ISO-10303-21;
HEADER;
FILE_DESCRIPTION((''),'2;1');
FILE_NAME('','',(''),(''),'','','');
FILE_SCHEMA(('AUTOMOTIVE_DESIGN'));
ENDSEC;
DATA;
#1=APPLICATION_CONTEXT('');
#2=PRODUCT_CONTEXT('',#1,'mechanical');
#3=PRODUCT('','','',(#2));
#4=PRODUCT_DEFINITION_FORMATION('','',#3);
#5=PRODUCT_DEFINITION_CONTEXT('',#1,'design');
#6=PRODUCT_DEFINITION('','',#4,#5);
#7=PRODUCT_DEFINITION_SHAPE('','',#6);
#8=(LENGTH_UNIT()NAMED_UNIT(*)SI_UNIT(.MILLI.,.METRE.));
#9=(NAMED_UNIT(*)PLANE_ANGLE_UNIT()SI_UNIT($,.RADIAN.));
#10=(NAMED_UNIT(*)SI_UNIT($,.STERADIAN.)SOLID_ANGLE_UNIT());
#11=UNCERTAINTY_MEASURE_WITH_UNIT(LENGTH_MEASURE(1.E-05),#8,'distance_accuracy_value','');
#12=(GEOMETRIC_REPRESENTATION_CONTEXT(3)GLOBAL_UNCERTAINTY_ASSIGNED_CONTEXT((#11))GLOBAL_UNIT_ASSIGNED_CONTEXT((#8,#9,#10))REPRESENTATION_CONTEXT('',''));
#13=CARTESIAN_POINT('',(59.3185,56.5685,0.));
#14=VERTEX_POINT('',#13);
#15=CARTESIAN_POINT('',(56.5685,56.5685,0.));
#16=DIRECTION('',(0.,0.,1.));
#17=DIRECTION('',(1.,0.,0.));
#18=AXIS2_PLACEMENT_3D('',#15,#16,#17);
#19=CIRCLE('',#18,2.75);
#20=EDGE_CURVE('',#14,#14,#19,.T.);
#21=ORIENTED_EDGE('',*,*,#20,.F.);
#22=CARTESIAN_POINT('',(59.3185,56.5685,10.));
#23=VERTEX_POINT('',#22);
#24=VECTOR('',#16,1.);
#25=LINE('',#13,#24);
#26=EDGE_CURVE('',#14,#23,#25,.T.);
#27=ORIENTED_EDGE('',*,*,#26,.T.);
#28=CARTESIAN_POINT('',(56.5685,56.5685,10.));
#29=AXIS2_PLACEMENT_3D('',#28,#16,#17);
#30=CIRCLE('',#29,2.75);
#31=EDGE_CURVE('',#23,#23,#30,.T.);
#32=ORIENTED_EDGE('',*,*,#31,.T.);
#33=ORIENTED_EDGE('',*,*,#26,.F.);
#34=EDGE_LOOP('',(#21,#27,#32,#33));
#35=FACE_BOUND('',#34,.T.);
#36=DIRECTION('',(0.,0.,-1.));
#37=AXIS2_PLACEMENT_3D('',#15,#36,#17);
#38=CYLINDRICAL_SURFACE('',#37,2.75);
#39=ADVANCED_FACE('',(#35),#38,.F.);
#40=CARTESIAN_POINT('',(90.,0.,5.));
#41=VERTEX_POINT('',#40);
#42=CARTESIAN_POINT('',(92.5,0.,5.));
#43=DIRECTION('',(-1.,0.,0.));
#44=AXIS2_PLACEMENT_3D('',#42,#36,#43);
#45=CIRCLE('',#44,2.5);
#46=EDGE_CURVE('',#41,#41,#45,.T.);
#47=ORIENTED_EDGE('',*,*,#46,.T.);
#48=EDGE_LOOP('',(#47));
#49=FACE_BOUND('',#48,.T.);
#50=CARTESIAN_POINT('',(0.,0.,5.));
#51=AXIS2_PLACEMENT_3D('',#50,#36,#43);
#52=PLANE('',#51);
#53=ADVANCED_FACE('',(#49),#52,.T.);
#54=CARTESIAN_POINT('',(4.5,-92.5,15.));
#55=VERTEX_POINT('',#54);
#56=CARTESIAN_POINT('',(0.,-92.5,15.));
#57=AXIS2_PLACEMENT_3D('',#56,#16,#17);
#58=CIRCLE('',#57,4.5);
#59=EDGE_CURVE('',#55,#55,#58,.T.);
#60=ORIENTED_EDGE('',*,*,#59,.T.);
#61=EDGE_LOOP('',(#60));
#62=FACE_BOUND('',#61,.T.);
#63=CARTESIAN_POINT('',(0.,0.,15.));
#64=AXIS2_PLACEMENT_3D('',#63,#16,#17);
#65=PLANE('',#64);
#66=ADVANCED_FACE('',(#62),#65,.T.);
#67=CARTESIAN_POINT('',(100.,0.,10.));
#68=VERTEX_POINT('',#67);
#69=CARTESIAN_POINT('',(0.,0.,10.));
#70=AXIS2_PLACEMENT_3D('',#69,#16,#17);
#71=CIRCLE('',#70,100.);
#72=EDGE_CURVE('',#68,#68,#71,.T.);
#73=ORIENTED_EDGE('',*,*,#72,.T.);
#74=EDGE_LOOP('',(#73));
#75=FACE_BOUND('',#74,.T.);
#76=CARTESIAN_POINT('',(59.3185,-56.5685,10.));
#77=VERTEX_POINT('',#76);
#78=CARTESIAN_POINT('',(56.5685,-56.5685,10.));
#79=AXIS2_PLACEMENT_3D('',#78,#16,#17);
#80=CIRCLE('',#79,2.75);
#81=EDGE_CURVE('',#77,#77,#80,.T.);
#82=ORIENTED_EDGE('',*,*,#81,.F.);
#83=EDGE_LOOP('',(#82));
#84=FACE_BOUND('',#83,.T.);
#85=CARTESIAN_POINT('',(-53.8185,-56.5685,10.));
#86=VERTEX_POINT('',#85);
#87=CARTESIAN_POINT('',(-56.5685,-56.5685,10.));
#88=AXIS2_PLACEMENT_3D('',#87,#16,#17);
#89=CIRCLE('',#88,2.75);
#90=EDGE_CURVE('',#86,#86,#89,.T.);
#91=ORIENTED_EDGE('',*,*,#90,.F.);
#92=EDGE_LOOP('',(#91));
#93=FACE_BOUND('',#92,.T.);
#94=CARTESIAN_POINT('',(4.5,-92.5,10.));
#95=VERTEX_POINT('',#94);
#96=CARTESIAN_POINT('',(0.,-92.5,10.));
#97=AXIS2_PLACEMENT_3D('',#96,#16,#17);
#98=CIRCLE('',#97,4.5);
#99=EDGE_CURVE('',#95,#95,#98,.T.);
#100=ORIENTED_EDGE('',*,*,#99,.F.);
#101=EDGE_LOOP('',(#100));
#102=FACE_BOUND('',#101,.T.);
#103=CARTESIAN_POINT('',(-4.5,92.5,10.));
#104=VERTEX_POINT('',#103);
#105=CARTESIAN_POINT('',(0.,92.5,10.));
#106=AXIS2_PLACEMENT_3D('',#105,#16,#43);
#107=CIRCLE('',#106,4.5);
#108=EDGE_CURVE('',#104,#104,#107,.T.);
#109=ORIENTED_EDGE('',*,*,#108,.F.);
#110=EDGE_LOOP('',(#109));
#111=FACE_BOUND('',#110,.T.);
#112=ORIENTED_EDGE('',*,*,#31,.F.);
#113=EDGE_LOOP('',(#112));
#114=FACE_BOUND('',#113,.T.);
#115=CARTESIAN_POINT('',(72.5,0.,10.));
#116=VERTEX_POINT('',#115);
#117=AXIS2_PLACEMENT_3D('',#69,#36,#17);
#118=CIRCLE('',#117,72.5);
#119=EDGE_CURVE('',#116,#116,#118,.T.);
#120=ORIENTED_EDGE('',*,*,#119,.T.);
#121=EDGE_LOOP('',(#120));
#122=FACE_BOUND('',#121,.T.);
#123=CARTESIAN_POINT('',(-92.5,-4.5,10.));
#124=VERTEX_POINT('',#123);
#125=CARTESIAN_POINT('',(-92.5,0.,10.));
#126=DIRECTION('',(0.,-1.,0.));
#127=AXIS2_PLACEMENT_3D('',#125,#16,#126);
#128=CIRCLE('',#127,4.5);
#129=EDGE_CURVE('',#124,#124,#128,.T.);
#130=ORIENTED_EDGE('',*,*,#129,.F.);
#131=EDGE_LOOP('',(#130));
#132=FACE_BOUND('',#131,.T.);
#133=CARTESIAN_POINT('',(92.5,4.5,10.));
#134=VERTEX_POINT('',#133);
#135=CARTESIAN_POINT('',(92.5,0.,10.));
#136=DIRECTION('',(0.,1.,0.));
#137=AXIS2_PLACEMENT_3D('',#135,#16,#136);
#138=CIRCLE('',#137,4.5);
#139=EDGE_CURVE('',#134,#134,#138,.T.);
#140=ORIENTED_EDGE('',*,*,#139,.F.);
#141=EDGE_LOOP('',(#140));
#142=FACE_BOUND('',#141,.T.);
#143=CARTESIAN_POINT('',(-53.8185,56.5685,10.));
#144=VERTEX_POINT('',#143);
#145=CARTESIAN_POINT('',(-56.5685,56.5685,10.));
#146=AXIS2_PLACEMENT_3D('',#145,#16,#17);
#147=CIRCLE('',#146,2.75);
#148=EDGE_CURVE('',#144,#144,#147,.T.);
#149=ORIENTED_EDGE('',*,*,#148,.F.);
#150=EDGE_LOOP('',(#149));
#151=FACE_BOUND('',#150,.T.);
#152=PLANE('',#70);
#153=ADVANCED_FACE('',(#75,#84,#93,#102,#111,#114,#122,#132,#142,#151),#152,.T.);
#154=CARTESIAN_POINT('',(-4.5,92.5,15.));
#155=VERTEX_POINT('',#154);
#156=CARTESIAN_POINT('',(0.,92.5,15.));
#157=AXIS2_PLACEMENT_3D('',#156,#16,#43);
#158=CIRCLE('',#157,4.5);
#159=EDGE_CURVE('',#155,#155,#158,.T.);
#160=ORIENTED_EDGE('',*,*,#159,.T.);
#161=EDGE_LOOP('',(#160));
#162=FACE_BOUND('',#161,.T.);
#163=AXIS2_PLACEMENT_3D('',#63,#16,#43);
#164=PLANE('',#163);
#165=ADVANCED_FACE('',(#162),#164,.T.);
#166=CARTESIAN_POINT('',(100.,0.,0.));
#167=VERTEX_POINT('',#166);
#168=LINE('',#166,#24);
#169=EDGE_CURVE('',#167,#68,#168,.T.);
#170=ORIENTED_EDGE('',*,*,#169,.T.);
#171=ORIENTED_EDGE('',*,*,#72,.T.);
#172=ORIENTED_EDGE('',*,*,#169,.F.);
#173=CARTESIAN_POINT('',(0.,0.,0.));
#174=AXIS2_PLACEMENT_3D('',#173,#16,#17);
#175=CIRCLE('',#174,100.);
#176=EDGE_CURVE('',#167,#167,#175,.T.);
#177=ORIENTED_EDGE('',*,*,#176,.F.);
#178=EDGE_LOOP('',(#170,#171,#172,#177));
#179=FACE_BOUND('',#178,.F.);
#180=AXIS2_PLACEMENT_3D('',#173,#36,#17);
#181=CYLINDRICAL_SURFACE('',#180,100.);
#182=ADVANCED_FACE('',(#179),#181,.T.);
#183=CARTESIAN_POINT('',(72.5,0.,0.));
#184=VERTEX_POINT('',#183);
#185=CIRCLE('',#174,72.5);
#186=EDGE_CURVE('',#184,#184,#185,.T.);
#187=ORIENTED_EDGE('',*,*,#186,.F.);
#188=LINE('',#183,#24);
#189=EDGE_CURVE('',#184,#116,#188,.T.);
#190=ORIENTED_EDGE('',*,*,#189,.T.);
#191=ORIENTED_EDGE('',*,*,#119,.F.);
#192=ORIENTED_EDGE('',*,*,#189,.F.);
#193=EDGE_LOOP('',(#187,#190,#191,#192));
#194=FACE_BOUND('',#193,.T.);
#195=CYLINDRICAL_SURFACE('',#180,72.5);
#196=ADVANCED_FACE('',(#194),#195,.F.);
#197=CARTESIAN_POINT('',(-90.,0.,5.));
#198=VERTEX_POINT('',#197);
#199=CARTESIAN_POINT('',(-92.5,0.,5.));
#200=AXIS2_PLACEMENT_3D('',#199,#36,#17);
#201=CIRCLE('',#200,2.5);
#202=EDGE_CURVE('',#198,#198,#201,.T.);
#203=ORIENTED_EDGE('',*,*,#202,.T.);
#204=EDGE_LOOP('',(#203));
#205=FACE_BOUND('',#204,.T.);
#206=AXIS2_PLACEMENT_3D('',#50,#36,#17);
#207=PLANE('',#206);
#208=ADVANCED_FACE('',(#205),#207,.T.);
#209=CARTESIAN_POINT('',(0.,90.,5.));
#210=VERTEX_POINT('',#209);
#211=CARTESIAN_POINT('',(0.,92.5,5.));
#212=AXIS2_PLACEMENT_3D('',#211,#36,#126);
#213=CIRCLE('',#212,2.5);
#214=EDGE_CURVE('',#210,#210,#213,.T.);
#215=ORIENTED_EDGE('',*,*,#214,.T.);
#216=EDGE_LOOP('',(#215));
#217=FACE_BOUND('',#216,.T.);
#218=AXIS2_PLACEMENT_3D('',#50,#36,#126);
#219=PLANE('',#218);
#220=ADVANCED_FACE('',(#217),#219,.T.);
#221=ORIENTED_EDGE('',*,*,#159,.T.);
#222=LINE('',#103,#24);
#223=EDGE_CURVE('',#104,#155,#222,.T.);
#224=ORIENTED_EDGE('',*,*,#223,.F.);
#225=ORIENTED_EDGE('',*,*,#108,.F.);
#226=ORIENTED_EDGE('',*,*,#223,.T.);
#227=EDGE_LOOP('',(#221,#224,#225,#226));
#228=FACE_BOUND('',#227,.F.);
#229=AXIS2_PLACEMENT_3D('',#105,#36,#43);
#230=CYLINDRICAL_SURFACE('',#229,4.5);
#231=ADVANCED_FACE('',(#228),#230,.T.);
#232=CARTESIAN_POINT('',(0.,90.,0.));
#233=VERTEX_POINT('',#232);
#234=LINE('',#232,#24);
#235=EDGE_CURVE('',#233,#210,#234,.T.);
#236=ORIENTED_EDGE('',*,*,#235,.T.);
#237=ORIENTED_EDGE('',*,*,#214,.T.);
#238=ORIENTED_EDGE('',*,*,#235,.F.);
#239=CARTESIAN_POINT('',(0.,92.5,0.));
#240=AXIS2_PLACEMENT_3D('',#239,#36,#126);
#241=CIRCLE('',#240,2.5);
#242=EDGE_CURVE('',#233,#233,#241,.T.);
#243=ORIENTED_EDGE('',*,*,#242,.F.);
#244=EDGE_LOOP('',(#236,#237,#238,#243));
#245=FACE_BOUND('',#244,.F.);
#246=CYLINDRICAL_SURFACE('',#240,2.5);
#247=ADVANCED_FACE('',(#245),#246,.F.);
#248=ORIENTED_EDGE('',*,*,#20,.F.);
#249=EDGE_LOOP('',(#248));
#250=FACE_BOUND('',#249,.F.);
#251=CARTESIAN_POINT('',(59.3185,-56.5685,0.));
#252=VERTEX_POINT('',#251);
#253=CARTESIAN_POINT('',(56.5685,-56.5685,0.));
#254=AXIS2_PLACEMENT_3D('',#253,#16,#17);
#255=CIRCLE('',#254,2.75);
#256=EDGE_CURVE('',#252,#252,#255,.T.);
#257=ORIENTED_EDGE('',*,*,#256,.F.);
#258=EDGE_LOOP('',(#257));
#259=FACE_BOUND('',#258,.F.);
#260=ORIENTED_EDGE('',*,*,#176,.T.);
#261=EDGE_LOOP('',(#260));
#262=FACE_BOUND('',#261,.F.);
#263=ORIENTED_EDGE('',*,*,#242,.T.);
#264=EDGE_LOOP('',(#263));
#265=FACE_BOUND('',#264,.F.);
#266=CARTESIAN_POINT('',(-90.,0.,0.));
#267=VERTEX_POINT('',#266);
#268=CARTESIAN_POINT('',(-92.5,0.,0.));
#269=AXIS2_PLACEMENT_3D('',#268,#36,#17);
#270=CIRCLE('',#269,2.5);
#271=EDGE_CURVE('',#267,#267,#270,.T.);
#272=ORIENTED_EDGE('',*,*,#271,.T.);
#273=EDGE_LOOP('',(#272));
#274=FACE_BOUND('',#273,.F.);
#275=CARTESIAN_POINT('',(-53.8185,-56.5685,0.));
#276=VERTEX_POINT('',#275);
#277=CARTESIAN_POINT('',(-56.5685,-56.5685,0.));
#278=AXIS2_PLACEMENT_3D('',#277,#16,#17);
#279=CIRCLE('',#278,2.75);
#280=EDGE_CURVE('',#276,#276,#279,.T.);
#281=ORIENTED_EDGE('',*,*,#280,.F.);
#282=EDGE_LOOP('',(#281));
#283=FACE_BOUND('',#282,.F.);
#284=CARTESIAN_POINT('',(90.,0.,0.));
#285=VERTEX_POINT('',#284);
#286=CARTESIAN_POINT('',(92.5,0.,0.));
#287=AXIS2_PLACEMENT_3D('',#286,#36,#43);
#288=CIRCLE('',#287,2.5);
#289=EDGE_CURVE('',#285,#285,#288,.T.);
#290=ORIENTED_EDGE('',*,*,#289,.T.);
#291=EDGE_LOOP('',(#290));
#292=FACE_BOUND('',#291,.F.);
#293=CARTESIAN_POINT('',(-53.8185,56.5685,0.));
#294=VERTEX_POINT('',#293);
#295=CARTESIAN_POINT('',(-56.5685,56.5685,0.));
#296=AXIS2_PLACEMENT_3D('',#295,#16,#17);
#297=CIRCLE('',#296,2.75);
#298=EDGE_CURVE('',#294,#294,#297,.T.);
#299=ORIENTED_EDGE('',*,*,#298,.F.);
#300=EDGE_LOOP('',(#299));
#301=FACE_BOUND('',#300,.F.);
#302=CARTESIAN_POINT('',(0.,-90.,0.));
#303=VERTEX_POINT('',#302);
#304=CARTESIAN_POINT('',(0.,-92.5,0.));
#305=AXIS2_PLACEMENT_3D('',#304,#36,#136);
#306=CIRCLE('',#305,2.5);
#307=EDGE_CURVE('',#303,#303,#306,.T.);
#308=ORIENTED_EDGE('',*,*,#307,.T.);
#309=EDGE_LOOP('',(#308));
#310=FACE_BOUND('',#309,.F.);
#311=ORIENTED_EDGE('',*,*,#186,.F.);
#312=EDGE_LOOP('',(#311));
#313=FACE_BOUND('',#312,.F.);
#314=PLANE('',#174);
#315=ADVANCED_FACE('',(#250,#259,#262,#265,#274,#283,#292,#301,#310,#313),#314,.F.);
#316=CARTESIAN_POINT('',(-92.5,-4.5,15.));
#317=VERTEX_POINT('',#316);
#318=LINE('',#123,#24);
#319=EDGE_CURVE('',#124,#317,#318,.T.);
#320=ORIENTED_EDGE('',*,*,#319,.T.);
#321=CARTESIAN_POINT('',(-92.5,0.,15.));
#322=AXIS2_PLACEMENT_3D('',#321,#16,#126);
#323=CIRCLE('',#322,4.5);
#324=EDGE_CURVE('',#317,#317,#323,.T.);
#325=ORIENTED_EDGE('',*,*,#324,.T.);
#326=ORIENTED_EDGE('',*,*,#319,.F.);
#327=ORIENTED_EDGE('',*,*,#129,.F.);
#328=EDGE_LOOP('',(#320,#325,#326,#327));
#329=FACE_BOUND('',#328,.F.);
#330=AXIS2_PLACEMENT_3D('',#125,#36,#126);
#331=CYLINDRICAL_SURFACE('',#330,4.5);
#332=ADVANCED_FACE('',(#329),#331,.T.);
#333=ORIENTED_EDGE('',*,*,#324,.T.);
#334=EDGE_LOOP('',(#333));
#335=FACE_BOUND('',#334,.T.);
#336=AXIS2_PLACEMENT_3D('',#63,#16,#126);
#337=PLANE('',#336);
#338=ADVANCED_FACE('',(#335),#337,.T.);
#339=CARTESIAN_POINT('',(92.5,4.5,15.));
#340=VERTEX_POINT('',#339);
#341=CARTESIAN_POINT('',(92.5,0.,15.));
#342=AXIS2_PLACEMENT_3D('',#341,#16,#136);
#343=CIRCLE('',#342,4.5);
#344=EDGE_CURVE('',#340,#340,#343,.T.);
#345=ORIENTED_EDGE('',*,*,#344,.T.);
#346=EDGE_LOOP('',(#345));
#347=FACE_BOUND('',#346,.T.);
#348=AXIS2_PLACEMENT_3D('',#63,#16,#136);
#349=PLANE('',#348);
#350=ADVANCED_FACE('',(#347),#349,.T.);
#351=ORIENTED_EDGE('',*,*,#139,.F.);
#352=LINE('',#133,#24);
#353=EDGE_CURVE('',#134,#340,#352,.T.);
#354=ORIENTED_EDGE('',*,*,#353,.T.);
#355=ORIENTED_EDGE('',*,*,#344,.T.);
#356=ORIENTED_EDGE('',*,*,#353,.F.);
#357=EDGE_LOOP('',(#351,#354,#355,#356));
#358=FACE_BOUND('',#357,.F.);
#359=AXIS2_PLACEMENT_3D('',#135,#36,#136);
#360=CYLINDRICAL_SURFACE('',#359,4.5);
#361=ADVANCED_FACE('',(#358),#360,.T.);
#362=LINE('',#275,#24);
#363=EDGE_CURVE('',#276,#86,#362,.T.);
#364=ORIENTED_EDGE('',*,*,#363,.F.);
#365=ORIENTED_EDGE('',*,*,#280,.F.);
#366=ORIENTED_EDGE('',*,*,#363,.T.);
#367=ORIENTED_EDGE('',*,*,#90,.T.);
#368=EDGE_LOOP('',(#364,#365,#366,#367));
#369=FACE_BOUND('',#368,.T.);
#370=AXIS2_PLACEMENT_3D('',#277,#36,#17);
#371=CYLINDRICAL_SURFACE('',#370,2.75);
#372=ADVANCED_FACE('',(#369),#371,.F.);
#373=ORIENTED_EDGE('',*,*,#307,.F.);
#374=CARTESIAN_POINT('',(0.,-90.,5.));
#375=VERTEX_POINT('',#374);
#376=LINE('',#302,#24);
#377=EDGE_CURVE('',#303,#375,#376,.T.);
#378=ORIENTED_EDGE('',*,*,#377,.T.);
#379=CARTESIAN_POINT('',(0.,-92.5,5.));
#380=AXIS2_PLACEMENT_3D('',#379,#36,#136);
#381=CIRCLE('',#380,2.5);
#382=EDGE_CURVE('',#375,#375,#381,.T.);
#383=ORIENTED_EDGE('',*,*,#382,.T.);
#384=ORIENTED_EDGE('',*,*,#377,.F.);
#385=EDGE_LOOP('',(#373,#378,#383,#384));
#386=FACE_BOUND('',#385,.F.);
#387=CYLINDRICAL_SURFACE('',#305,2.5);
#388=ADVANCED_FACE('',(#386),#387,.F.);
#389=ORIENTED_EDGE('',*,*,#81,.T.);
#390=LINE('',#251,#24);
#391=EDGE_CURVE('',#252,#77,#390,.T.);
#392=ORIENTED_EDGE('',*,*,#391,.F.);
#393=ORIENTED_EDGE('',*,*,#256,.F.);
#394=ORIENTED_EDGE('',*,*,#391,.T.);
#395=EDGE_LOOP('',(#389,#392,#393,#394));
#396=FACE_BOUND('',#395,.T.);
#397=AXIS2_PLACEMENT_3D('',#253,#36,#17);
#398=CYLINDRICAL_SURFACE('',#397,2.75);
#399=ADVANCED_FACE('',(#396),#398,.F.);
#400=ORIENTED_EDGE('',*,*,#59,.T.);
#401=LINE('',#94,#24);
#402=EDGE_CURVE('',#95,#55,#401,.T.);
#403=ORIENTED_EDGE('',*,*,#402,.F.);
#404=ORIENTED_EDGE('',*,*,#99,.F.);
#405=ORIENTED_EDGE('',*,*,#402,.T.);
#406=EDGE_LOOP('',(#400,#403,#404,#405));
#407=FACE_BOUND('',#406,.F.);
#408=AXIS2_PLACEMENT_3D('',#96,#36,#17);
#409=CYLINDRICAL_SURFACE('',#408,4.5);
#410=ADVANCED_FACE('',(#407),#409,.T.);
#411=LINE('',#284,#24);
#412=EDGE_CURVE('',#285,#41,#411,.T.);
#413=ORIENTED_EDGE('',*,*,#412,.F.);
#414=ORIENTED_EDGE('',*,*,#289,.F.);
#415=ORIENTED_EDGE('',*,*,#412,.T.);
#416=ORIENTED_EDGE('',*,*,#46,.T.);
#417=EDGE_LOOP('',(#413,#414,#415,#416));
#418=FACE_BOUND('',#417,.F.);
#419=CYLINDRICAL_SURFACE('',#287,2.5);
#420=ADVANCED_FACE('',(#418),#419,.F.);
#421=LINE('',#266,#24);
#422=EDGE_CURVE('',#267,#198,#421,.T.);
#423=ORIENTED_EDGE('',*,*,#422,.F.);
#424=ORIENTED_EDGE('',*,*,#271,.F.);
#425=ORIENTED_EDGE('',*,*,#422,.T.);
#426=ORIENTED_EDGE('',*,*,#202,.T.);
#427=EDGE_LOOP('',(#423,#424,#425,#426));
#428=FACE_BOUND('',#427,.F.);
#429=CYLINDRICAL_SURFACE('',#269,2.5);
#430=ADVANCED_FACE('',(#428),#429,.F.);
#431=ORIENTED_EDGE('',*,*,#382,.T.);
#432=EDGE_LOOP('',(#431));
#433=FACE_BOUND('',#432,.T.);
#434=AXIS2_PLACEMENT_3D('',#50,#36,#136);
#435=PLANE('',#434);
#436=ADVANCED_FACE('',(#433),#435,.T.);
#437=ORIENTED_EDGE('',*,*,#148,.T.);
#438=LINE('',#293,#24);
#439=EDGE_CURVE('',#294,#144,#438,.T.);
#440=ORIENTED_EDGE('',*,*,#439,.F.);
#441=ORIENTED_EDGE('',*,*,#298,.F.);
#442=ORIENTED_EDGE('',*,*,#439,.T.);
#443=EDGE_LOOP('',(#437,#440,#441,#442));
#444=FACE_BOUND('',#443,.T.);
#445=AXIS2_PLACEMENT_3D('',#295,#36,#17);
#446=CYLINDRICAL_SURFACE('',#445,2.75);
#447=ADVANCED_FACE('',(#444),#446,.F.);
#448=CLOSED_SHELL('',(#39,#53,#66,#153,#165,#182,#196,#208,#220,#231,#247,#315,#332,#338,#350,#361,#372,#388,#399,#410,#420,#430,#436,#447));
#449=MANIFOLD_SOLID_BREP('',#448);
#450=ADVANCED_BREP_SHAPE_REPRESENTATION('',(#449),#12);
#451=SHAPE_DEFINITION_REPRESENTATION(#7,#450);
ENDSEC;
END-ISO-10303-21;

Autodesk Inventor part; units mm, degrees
ref_plane "YZ Plane" through (0, 0, 0) normal (1, 0, 0) x (0, 1, 0)
ref_plane "XZ Plane" through (0, 0, 0) normal (0, 1, 0) x (-1, 0, 0)
ref_plane "XY Plane" through (0, 0, 0) normal (0, 0, 1) x (1, 0, 0)
sketch "Skizze1" plane through (0, 0, 0) normal (0, 0, 1) x (1, 0, 0)
  circle A0 centre (0, 0) radius 100
  circle A1 centre (0, 0) radius 72.5
  circle A2 centre (0, 0) radius 80 construction
  line L0 (0, 0) -> (-56.5685, 56.5685) construction
  line L1 (0, 0) -> (0, 80)
  circle A3 centre (-56.5685, 56.5685) radius 2.75
  circle A4 centre (-56.5685, -56.5685) radius 2.75
  circle A5 centre (56.5685, -56.5685) radius 2.75
  circle A6 centre (56.5685, 56.5685) radius 2.75
  dimension "d0" = 200
  dimension "d1" = 145
  dimension "d3" = 45
  dimension "d4" = 5.5
  dimension "d5" = 160
  dimension "d8" = 360
extrude "Extrusion1" add sketch "Skizze1" along normal blind 10
sketch "Skizze2" plane through (0, 0, 10) normal (0, 0, 1) x (1, 0, 0)
  circle A0 centre (0, -92.5) radius 4.5
  point P0 (0, 0)
  dimension "d12" = 9
  dimension "d13" = 92.5
extrude "Extrusion2" add sketch "Skizze2" along normal blind 5
pattern_circular "Runde Anordnung1" count 4 over 360 about axis through (0, 0, 0) along (0, 0, 1) of "Extrusion2"
sketch "Skizze3" plane through (0, 0, 0) normal (0, 0, -1) x (-1, 0, 0)
  circle A0 centre (-92.5, 0) radius 4.5 projected
  circle A1 centre (-92.5, 0) radius 2.5
  point P0 (0, 0)
  dimension "d19" = 5
extrude "Extrusion3" cut sketch "Skizze3" against normal blind 5 contours A1
pattern_circular "Runde Anordnung2" count 4 over 360 about axis through (0, 0, 0) along (0, 0, 1) of "Extrusion3"
properties part number "drehkranz" material "Aluminium 6061"
